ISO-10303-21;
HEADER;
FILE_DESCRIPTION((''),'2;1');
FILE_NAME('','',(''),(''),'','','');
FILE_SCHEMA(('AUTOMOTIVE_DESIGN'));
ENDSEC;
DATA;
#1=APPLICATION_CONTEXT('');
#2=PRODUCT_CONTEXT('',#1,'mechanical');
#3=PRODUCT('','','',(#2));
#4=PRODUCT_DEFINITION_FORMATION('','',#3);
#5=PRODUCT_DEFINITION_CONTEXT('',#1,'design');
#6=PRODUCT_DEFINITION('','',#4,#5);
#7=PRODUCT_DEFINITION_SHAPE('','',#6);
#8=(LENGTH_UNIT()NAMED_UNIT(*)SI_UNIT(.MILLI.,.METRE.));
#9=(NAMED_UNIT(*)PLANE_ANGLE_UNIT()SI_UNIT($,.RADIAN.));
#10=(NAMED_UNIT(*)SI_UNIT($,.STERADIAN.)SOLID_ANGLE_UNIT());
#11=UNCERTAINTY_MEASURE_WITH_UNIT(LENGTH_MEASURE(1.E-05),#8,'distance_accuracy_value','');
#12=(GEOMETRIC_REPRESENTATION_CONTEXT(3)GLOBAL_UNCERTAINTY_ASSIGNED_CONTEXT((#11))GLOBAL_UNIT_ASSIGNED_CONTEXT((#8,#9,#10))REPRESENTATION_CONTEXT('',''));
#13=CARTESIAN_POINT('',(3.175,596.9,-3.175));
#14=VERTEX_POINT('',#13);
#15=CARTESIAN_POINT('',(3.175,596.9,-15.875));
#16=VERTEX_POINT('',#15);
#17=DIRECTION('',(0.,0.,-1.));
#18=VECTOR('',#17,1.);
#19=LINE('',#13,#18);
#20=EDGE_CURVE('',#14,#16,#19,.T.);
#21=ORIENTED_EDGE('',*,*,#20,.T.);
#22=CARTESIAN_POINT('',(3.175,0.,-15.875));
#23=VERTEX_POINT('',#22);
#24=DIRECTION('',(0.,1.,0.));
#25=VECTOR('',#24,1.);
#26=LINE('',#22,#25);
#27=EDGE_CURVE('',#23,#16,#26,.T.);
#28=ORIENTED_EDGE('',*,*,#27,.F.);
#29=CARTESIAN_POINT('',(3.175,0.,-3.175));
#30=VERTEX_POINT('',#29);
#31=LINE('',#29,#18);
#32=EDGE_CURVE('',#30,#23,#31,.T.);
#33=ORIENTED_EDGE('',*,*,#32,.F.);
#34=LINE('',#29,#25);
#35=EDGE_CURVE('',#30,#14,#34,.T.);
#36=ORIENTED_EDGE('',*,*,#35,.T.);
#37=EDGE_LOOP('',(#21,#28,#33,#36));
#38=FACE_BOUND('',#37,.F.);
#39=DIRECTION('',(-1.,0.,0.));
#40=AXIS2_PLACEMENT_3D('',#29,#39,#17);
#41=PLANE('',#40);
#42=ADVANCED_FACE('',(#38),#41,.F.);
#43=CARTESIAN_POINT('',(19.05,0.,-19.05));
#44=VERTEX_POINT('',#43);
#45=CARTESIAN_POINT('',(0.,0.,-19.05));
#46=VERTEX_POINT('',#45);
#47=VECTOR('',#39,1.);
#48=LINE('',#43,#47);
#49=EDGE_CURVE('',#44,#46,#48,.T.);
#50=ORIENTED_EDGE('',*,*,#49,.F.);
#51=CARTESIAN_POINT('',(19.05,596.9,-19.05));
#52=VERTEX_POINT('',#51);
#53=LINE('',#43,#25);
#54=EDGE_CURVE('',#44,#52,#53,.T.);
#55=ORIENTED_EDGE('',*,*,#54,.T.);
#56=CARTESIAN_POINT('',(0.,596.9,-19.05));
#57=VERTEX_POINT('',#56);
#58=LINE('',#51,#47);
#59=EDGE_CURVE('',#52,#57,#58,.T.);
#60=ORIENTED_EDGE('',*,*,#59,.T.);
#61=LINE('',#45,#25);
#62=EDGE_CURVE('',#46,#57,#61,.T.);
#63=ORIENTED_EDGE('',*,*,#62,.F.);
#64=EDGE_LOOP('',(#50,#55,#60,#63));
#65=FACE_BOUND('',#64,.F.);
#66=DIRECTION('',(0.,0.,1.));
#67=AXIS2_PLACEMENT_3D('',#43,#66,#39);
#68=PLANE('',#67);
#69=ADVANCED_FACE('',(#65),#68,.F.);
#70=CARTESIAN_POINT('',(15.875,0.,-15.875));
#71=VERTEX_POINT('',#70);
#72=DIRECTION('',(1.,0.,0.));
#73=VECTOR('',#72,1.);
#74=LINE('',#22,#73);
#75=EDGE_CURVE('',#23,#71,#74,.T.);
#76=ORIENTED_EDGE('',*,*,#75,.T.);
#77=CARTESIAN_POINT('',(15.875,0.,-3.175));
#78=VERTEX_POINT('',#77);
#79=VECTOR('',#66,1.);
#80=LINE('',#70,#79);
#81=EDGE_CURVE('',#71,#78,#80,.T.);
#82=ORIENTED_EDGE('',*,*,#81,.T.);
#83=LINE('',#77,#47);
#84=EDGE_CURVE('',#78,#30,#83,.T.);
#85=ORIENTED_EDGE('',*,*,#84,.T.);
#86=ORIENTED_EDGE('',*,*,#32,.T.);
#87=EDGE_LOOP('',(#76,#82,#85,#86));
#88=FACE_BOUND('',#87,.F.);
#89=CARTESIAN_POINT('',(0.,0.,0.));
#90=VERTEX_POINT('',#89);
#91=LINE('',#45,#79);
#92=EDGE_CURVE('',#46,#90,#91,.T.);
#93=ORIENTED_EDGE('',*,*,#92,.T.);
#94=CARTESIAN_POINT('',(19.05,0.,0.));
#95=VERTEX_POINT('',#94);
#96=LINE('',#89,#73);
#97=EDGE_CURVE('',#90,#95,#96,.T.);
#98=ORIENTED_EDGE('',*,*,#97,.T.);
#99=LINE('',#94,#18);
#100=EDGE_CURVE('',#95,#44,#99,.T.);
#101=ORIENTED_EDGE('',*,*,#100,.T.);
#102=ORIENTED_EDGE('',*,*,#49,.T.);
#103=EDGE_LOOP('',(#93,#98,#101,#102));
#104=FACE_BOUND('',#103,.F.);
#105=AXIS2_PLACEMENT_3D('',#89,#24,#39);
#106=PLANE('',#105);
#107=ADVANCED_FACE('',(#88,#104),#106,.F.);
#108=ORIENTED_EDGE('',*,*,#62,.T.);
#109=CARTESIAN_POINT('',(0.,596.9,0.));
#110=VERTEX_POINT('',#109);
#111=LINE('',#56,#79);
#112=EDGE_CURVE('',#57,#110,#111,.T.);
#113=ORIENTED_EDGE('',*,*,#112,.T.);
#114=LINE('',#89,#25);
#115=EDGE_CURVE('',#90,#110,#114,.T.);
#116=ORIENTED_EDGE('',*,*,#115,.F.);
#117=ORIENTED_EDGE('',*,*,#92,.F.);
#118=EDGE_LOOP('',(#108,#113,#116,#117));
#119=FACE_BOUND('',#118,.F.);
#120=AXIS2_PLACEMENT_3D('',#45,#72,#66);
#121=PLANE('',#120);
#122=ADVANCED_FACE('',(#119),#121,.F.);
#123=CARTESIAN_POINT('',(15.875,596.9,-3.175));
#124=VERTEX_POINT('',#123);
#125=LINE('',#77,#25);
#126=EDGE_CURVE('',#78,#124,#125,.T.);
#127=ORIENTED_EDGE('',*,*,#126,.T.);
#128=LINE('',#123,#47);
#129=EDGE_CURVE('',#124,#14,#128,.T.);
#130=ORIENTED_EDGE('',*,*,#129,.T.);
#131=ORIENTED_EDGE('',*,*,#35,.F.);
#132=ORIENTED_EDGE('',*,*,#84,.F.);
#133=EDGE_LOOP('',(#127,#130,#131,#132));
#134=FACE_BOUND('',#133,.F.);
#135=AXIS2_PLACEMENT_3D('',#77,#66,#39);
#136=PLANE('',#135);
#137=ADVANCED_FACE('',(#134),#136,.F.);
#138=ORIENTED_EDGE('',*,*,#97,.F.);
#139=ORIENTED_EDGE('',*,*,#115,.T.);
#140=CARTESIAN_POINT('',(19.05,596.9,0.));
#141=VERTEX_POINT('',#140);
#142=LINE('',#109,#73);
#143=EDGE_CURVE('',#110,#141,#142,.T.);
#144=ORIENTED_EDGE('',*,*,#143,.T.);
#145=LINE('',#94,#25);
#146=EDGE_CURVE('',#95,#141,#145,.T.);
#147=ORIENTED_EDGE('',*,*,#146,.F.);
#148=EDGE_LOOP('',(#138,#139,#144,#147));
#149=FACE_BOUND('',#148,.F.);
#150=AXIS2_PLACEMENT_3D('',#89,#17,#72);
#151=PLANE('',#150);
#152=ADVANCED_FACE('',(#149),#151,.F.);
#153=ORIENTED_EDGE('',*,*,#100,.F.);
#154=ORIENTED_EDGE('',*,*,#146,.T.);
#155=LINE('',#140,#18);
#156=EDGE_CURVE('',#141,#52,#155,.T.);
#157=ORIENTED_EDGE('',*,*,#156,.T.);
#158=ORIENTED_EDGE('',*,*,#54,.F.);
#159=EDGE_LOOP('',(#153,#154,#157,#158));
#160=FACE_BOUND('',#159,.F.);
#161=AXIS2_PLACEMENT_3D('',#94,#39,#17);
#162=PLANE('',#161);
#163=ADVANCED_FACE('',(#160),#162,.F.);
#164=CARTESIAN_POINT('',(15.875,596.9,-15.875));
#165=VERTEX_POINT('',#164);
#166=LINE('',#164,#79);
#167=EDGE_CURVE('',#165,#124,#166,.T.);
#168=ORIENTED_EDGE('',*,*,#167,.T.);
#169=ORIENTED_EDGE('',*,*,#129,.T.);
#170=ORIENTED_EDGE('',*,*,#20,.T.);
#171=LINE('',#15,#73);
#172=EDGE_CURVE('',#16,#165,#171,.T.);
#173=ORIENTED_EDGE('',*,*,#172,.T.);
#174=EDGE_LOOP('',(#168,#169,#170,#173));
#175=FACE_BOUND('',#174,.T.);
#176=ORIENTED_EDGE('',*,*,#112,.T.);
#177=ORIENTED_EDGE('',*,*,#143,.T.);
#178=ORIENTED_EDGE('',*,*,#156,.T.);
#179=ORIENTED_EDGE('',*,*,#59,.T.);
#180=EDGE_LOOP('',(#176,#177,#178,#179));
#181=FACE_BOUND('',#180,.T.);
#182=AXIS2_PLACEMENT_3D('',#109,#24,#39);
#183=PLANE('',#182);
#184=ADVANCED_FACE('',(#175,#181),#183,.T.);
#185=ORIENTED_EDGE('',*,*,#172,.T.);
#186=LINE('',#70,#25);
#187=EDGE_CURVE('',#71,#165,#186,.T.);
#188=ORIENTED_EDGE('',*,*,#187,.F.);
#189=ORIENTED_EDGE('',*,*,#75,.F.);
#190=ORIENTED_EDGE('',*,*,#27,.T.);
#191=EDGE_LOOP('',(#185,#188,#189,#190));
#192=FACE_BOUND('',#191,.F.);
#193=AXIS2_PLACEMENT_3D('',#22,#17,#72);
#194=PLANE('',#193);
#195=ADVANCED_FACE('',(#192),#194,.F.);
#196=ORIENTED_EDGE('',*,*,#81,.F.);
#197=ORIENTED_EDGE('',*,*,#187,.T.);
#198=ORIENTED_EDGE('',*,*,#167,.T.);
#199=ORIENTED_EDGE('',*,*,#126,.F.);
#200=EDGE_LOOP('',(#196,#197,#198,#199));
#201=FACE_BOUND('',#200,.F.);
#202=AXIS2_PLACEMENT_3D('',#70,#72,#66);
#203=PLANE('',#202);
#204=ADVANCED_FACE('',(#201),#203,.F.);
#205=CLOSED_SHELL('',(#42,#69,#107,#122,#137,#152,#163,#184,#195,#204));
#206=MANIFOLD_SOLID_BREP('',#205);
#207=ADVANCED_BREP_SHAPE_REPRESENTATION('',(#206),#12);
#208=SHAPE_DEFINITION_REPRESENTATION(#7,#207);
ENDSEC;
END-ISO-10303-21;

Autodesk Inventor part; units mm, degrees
ref_plane "YZ Plane" through (0, 0, 0) normal (1, 0, 0) x (0, 1, 0)
ref_plane "XZ Plane" through (0, 0, 0) normal (0, 1, 0) x (-1, 0, 0)
ref_plane "XY Plane" through (0, 0, 0) normal (0, 0, 1) x (1, 0, 0)
sketch "Sketch1" plane through (0, 0, 0) normal (0, 1, 0) x (-1, 0, 0)
  line L0 (0, 0) -> (-19.05, 0)
  line L1 (-19.05, 0) -> (-19.05, -19.05)
  line L2 (-19.05, -19.05) -> (0, -19.05)
  line L3 (0, -19.05) -> (0, 0)
  line L4 (-3.175, -15.875) -> (-15.875, -15.875)
  line L5 (-15.875, -15.875) -> (-15.875, -3.175)
  line L6 (-15.875, -3.175) -> (-3.175, -3.175)
  line L7 (-3.175, -3.175) -> (-3.175, -15.875)
  dimension "d0" = 19.05
  dimension "d1" = 19.05
  dimension "d2" = 3.175
extrude "Extrusion1" add sketch "Sketch1" along normal blind 596.9
properties part number "Chasis Short Length" material "Aluminum 6061"
